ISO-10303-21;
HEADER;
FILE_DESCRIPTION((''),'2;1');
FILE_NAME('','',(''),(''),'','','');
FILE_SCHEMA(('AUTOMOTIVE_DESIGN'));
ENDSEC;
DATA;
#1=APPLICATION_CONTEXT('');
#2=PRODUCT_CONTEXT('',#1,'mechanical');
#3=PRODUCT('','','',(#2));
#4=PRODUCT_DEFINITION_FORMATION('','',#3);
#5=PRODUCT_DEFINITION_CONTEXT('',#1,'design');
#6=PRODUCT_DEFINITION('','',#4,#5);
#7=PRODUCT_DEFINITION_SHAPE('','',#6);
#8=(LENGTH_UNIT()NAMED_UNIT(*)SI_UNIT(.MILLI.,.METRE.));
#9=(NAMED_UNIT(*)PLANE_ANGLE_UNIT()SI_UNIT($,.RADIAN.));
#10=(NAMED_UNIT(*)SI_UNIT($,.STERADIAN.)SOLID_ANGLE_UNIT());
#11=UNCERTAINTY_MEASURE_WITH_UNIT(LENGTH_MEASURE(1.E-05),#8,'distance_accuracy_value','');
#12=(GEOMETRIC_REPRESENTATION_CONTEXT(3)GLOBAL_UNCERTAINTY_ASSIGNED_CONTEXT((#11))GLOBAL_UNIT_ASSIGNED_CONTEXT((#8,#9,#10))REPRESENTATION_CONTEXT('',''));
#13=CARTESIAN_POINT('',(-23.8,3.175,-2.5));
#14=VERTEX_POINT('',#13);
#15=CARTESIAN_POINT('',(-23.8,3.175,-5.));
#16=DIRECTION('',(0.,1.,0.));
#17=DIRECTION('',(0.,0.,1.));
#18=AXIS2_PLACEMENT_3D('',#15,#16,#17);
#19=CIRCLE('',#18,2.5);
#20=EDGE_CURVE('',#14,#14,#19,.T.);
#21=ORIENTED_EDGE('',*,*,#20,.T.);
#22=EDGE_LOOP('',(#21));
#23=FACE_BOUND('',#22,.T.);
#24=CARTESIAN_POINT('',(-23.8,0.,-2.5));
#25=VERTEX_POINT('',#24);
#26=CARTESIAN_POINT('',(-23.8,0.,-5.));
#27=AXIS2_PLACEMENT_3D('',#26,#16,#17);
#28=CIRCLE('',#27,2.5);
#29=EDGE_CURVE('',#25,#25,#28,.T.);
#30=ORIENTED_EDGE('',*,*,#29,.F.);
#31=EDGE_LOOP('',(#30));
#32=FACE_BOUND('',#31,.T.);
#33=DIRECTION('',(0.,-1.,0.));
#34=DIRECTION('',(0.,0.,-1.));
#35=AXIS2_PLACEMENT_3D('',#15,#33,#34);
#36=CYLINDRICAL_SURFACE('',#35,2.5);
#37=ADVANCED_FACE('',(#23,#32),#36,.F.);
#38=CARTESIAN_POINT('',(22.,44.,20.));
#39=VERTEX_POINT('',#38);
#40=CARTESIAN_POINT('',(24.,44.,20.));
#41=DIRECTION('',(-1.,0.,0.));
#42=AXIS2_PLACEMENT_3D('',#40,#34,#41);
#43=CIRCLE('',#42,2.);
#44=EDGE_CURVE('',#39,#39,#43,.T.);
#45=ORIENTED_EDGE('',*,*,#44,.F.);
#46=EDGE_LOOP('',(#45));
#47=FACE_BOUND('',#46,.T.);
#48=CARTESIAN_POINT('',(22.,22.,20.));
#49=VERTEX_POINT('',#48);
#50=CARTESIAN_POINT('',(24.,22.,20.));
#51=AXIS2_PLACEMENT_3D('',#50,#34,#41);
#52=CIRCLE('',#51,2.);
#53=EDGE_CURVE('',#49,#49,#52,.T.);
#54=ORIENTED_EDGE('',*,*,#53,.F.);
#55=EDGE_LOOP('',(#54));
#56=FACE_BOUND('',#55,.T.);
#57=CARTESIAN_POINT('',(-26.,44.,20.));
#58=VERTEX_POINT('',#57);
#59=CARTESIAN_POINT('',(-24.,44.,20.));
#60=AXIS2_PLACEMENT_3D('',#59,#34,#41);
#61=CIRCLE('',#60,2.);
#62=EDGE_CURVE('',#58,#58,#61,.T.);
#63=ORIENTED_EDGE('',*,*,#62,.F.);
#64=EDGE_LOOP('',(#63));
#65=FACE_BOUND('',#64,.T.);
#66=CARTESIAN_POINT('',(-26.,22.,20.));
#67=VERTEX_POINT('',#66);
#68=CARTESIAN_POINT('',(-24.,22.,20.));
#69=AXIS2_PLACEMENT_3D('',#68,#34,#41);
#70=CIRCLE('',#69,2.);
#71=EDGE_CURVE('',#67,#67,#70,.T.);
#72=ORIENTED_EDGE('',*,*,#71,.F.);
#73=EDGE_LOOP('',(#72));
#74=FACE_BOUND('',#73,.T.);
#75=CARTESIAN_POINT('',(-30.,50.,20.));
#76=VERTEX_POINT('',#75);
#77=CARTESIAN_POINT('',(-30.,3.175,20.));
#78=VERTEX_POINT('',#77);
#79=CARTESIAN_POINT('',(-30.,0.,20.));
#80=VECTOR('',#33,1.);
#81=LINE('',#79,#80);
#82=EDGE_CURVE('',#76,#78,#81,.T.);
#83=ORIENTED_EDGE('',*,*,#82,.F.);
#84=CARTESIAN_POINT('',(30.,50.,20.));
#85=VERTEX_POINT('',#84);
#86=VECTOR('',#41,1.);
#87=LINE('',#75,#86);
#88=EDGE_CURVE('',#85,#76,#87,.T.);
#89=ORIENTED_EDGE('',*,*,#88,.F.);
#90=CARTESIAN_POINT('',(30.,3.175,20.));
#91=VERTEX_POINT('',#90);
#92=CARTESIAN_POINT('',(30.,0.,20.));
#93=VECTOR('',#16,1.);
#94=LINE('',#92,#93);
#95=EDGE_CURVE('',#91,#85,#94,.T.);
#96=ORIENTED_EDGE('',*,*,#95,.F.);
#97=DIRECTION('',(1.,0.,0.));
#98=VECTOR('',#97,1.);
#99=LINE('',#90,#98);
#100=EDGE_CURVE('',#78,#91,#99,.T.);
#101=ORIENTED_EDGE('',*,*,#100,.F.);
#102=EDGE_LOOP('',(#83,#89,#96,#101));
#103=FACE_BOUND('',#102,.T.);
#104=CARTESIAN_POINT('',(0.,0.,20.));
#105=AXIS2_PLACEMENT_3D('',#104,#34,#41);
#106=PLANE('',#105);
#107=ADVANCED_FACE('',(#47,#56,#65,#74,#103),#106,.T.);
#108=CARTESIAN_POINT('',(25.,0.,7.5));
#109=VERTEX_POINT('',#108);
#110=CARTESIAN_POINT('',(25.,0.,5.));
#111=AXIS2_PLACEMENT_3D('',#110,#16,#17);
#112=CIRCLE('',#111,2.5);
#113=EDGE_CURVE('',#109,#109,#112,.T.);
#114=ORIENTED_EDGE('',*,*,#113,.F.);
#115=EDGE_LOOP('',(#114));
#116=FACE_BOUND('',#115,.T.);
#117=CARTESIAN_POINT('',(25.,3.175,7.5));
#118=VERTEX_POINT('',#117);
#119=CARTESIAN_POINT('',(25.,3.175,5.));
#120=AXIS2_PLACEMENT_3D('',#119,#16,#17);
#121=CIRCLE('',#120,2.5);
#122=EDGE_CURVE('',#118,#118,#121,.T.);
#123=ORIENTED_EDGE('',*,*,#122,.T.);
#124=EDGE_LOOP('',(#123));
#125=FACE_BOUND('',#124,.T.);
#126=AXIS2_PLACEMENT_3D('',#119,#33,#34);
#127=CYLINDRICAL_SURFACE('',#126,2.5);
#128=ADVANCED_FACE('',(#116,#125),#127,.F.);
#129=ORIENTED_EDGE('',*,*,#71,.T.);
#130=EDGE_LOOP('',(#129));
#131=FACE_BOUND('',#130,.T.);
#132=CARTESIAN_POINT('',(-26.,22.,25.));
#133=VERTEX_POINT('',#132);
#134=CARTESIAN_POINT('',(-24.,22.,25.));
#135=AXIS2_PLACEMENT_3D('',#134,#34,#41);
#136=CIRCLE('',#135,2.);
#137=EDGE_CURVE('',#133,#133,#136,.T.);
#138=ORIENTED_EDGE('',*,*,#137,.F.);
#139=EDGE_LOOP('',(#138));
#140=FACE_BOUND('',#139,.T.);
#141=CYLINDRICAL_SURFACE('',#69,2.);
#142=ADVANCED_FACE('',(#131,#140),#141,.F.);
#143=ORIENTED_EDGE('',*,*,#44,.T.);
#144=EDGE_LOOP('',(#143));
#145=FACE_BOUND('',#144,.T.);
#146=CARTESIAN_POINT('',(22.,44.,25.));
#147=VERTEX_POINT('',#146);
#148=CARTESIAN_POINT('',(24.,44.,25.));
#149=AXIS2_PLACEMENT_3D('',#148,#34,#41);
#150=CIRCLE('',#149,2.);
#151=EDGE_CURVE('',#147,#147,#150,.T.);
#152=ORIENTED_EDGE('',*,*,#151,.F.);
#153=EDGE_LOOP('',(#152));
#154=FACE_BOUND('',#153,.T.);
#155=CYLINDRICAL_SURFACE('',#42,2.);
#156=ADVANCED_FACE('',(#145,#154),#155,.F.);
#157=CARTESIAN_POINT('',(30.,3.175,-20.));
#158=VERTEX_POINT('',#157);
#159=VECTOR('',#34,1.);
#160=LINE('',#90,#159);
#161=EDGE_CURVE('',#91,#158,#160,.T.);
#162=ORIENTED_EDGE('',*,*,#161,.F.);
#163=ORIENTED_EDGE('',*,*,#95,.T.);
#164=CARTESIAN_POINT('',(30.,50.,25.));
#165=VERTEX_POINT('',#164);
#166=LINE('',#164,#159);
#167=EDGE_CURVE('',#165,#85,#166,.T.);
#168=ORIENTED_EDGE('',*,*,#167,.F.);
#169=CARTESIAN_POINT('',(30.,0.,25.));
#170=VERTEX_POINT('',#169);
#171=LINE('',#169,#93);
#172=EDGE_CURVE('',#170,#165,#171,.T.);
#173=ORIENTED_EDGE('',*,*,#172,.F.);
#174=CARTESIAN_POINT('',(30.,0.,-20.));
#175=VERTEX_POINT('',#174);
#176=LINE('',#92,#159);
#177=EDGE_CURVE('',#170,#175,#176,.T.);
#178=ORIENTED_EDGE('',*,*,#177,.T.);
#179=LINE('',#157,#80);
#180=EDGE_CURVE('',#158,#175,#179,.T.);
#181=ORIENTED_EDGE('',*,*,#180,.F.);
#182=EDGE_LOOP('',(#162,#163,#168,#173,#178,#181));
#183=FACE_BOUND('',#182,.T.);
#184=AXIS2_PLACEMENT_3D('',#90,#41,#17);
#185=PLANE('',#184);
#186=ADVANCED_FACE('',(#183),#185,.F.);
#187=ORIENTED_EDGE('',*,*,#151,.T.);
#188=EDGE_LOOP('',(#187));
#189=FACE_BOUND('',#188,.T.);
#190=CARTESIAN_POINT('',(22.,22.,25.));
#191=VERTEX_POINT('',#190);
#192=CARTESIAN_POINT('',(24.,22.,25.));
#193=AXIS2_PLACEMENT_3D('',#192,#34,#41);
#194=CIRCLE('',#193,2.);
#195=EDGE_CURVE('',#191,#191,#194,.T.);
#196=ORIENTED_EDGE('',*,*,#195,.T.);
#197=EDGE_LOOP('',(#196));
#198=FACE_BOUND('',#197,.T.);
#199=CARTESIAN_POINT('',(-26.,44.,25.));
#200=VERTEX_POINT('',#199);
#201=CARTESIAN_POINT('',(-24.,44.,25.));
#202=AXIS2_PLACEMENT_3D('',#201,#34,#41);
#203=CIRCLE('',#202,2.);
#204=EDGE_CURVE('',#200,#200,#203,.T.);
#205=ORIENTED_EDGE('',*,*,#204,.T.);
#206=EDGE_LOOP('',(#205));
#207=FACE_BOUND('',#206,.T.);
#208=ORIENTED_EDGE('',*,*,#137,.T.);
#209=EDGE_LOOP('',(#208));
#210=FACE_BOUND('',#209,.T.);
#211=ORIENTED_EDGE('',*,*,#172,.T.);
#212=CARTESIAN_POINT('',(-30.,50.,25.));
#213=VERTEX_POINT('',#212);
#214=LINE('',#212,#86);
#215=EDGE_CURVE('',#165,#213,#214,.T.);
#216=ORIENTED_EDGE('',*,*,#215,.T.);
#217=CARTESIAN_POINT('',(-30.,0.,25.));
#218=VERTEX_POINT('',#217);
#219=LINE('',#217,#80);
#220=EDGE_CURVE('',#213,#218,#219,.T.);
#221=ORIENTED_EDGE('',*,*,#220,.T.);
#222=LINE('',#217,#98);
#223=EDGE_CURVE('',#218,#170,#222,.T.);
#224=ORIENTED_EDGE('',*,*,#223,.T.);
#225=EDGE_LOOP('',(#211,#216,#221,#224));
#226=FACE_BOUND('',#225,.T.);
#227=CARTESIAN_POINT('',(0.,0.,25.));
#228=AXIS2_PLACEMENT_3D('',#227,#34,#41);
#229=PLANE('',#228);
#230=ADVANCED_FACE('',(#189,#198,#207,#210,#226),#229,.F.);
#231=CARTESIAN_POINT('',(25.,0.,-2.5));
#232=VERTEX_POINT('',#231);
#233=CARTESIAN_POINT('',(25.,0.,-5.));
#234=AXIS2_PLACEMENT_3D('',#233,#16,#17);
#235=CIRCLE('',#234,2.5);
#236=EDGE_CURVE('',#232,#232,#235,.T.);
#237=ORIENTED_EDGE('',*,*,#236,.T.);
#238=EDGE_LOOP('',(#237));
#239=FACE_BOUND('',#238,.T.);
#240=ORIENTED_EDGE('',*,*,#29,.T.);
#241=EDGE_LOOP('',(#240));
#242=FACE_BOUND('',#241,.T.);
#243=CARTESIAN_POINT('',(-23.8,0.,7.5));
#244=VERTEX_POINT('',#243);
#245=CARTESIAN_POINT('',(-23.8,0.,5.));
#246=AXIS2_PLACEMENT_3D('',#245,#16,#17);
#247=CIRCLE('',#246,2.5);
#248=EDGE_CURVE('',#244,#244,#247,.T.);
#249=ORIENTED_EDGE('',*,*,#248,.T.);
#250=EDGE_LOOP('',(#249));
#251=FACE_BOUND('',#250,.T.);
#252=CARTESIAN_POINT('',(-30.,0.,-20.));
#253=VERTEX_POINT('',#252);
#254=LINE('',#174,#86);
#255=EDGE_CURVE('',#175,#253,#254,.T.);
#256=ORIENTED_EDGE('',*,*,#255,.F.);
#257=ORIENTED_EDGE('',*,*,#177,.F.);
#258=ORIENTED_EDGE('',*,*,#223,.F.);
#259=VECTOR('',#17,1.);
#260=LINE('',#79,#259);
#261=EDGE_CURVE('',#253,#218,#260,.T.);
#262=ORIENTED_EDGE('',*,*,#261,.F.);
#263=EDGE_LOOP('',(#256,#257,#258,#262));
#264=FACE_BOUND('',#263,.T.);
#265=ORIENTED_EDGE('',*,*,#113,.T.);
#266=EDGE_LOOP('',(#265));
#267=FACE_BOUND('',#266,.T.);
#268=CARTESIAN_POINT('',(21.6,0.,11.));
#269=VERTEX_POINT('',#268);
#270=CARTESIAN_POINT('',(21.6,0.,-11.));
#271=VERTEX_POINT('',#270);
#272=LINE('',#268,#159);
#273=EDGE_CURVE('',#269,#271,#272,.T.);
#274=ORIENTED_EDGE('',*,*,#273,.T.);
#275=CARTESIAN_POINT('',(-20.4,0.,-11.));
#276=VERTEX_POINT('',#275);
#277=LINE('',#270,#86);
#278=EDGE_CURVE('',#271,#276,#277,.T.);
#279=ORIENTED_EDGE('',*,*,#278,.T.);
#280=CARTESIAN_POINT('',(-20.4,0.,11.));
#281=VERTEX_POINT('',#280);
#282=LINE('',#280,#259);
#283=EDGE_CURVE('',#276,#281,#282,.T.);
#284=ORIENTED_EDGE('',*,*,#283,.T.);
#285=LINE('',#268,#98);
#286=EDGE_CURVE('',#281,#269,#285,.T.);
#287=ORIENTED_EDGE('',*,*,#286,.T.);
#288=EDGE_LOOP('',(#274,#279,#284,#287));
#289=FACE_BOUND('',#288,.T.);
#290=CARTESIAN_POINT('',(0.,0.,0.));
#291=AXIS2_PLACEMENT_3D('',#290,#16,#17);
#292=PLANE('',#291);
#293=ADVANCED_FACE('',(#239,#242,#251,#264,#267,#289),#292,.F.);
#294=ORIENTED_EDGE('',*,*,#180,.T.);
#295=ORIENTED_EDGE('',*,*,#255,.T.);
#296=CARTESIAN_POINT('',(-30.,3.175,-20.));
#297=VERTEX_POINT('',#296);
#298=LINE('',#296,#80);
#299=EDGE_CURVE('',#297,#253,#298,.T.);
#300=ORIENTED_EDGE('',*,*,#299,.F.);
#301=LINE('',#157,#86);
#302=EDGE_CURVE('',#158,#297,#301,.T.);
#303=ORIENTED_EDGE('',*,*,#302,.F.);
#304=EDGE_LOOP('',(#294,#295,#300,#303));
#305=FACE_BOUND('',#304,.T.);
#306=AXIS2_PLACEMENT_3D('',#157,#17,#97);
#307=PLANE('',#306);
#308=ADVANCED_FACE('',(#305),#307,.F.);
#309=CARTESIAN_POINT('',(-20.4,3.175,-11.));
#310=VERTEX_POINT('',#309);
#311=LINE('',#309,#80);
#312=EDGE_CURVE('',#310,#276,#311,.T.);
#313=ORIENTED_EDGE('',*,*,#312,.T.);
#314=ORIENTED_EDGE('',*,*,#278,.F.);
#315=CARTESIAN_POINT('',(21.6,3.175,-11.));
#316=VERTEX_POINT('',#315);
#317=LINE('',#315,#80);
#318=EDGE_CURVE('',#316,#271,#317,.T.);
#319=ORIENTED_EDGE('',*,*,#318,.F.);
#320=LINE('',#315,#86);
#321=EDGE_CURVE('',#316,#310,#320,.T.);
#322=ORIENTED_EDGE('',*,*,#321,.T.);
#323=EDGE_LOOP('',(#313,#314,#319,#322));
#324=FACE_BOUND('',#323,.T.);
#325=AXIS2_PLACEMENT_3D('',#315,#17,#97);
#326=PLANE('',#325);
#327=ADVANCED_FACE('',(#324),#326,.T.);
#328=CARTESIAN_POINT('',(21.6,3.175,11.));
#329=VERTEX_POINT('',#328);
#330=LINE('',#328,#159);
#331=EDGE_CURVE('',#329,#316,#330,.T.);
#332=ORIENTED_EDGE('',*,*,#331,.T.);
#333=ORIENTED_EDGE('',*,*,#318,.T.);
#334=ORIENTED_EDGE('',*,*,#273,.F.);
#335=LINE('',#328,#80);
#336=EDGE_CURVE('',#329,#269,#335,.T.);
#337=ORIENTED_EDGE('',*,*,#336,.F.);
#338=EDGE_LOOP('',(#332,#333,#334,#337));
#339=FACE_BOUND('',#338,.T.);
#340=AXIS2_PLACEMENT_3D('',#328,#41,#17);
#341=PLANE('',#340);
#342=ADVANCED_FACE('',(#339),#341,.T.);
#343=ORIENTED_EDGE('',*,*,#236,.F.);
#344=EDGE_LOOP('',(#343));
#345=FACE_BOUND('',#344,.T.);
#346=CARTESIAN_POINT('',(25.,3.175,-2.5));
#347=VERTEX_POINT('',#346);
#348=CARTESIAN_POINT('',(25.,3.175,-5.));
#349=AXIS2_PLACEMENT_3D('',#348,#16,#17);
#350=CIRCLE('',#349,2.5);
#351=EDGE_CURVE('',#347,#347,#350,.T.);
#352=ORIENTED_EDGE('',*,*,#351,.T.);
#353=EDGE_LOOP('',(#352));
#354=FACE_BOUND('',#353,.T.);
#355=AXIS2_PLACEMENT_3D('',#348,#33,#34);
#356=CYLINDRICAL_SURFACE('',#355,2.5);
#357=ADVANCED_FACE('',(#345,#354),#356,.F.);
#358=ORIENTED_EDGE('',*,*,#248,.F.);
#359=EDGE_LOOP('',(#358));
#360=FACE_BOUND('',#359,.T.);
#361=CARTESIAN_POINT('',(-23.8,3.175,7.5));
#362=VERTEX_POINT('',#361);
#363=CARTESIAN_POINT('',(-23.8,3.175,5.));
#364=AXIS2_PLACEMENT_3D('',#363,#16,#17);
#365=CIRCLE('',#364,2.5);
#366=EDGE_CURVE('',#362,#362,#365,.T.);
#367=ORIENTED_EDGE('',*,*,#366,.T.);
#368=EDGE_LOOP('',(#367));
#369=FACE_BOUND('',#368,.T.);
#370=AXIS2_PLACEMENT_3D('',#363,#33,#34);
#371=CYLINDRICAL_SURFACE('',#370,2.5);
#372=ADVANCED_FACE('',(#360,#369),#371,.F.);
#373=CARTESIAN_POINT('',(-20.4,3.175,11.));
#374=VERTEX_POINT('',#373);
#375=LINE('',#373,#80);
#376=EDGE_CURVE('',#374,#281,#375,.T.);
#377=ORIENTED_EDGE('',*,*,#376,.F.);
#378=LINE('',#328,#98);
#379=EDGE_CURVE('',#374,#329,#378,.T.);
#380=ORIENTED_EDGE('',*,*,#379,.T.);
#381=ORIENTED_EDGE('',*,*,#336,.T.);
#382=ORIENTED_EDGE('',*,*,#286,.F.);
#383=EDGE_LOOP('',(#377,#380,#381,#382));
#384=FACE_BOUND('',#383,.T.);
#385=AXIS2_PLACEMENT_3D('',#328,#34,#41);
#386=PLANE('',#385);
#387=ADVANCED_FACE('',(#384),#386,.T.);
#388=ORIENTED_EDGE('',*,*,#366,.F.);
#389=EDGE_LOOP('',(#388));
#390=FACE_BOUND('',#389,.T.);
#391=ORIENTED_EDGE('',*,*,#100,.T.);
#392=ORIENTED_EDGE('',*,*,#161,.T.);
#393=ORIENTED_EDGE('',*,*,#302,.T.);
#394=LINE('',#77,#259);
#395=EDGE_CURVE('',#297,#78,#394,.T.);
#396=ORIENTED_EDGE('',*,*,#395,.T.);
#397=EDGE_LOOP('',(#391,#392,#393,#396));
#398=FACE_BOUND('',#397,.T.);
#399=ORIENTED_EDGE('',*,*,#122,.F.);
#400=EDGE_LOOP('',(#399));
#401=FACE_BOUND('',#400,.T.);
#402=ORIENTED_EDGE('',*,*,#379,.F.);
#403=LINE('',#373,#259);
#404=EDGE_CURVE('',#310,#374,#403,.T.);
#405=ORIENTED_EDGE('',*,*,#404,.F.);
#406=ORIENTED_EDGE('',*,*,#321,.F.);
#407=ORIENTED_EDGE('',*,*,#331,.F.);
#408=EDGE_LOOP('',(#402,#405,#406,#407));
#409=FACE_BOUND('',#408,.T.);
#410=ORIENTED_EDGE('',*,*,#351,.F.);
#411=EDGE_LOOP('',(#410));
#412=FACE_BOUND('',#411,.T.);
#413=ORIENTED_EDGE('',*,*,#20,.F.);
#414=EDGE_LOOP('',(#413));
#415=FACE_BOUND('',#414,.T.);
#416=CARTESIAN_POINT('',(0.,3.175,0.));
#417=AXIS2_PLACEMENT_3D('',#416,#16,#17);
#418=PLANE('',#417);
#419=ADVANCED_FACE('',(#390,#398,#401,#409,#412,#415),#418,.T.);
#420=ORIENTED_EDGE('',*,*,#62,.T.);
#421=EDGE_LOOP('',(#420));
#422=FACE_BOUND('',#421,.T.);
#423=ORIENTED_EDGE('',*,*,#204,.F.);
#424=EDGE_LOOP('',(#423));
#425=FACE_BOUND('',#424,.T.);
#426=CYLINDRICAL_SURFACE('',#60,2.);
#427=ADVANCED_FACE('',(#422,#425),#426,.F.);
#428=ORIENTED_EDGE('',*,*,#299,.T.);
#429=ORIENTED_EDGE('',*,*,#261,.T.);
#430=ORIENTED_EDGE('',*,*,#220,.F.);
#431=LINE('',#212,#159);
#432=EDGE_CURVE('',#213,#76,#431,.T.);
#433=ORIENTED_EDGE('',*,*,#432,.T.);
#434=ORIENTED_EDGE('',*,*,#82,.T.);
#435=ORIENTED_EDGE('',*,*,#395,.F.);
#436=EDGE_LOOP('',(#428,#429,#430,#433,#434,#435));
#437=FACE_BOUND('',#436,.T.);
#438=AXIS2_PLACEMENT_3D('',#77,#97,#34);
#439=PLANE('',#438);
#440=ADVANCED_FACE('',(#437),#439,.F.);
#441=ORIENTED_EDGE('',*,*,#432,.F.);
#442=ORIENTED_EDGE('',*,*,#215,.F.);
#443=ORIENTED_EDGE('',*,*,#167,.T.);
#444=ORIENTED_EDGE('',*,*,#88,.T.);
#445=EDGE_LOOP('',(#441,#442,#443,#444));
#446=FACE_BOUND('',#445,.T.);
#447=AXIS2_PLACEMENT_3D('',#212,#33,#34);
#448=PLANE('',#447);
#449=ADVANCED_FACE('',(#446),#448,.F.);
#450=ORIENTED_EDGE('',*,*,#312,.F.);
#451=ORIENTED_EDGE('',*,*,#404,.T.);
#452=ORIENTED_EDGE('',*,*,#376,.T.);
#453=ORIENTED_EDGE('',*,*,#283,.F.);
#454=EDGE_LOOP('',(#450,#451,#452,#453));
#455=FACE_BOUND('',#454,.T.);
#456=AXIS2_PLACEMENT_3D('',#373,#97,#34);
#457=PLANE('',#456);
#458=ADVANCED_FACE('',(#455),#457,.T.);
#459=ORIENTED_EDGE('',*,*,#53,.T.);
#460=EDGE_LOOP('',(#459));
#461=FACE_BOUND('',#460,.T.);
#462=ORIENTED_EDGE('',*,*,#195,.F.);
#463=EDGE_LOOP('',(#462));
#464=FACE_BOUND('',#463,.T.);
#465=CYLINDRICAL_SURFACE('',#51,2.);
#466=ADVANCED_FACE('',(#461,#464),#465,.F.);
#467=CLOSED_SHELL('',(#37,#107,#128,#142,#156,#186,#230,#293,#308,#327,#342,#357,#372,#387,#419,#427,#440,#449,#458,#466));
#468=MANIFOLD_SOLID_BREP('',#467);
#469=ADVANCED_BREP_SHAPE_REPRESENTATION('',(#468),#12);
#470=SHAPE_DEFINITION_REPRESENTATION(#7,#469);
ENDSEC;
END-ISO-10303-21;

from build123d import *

# Parameters (mm, degrees)
SKETCH1_W             = 60
SKETCH1_H             = 40
SKETCH1_R             = 2.5
SKETCH1_W_2           = 42
SKETCH1_H_2           = 22
BOSS_EXTRUDE1_DEPTH   = 3.175
SKETCH2_W             = 60
SKETCH2_H             = 50
BOSS_EXTRUDE2_DEPTH   = 5
F_4_0MM_DOWEL_HOLE1_D = 4


with BuildPart() as part:
    # Sketch1 → Boss-Extrude1 (new body)
    with BuildSketch(Plane(origin=(0, 0, 0), x_dir=(1, 0, 0), z_dir=(0, 1, 0))):
        Rectangle(SKETCH1_W, SKETCH1_H)
        with Locations(Location((25, 5, 0), (0, 0, 270))):
            Circle(SKETCH1_R, mode=Mode.SUBTRACT)
        with Locations(Location((-23.8, 5, 0), (0, 0, 270))):
            Circle(SKETCH1_R, mode=Mode.SUBTRACT)
        with Locations(Location((-23.8, -5, 0), (0, 0, 270))):
            Circle(SKETCH1_R, mode=Mode.SUBTRACT)
        with Locations(Location((25, -5, 0), (0, 0, 270))):
            Circle(SKETCH1_R, mode=Mode.SUBTRACT)
        with Locations((0.6, 0)):
            Rectangle(SKETCH1_W_2, SKETCH1_H_2, mode=Mode.SUBTRACT)
    extrude(amount=BOSS_EXTRUDE1_DEPTH)

    # Sketch2 → Boss-Extrude2 (add)
    with BuildSketch(Plane.XY.offset(20)):
        with Locations((0, 25)):
            Rectangle(SKETCH2_W, SKETCH2_H)
    extrude(amount=BOSS_EXTRUDE2_DEPTH)

    # Ø4.0mm Dowel Hole1 (through all)
    with Locations(Plane(origin=(0, 0, 20), x_dir=(-1, 0, 0), z_dir=(0, 0, -1))):
        with Locations((-24, 44), (24, 44), (-24, 22), (24, 22)):
            Hole(F_4_0MM_DOWEL_HOLE1_D / 2)


solid = part.part
